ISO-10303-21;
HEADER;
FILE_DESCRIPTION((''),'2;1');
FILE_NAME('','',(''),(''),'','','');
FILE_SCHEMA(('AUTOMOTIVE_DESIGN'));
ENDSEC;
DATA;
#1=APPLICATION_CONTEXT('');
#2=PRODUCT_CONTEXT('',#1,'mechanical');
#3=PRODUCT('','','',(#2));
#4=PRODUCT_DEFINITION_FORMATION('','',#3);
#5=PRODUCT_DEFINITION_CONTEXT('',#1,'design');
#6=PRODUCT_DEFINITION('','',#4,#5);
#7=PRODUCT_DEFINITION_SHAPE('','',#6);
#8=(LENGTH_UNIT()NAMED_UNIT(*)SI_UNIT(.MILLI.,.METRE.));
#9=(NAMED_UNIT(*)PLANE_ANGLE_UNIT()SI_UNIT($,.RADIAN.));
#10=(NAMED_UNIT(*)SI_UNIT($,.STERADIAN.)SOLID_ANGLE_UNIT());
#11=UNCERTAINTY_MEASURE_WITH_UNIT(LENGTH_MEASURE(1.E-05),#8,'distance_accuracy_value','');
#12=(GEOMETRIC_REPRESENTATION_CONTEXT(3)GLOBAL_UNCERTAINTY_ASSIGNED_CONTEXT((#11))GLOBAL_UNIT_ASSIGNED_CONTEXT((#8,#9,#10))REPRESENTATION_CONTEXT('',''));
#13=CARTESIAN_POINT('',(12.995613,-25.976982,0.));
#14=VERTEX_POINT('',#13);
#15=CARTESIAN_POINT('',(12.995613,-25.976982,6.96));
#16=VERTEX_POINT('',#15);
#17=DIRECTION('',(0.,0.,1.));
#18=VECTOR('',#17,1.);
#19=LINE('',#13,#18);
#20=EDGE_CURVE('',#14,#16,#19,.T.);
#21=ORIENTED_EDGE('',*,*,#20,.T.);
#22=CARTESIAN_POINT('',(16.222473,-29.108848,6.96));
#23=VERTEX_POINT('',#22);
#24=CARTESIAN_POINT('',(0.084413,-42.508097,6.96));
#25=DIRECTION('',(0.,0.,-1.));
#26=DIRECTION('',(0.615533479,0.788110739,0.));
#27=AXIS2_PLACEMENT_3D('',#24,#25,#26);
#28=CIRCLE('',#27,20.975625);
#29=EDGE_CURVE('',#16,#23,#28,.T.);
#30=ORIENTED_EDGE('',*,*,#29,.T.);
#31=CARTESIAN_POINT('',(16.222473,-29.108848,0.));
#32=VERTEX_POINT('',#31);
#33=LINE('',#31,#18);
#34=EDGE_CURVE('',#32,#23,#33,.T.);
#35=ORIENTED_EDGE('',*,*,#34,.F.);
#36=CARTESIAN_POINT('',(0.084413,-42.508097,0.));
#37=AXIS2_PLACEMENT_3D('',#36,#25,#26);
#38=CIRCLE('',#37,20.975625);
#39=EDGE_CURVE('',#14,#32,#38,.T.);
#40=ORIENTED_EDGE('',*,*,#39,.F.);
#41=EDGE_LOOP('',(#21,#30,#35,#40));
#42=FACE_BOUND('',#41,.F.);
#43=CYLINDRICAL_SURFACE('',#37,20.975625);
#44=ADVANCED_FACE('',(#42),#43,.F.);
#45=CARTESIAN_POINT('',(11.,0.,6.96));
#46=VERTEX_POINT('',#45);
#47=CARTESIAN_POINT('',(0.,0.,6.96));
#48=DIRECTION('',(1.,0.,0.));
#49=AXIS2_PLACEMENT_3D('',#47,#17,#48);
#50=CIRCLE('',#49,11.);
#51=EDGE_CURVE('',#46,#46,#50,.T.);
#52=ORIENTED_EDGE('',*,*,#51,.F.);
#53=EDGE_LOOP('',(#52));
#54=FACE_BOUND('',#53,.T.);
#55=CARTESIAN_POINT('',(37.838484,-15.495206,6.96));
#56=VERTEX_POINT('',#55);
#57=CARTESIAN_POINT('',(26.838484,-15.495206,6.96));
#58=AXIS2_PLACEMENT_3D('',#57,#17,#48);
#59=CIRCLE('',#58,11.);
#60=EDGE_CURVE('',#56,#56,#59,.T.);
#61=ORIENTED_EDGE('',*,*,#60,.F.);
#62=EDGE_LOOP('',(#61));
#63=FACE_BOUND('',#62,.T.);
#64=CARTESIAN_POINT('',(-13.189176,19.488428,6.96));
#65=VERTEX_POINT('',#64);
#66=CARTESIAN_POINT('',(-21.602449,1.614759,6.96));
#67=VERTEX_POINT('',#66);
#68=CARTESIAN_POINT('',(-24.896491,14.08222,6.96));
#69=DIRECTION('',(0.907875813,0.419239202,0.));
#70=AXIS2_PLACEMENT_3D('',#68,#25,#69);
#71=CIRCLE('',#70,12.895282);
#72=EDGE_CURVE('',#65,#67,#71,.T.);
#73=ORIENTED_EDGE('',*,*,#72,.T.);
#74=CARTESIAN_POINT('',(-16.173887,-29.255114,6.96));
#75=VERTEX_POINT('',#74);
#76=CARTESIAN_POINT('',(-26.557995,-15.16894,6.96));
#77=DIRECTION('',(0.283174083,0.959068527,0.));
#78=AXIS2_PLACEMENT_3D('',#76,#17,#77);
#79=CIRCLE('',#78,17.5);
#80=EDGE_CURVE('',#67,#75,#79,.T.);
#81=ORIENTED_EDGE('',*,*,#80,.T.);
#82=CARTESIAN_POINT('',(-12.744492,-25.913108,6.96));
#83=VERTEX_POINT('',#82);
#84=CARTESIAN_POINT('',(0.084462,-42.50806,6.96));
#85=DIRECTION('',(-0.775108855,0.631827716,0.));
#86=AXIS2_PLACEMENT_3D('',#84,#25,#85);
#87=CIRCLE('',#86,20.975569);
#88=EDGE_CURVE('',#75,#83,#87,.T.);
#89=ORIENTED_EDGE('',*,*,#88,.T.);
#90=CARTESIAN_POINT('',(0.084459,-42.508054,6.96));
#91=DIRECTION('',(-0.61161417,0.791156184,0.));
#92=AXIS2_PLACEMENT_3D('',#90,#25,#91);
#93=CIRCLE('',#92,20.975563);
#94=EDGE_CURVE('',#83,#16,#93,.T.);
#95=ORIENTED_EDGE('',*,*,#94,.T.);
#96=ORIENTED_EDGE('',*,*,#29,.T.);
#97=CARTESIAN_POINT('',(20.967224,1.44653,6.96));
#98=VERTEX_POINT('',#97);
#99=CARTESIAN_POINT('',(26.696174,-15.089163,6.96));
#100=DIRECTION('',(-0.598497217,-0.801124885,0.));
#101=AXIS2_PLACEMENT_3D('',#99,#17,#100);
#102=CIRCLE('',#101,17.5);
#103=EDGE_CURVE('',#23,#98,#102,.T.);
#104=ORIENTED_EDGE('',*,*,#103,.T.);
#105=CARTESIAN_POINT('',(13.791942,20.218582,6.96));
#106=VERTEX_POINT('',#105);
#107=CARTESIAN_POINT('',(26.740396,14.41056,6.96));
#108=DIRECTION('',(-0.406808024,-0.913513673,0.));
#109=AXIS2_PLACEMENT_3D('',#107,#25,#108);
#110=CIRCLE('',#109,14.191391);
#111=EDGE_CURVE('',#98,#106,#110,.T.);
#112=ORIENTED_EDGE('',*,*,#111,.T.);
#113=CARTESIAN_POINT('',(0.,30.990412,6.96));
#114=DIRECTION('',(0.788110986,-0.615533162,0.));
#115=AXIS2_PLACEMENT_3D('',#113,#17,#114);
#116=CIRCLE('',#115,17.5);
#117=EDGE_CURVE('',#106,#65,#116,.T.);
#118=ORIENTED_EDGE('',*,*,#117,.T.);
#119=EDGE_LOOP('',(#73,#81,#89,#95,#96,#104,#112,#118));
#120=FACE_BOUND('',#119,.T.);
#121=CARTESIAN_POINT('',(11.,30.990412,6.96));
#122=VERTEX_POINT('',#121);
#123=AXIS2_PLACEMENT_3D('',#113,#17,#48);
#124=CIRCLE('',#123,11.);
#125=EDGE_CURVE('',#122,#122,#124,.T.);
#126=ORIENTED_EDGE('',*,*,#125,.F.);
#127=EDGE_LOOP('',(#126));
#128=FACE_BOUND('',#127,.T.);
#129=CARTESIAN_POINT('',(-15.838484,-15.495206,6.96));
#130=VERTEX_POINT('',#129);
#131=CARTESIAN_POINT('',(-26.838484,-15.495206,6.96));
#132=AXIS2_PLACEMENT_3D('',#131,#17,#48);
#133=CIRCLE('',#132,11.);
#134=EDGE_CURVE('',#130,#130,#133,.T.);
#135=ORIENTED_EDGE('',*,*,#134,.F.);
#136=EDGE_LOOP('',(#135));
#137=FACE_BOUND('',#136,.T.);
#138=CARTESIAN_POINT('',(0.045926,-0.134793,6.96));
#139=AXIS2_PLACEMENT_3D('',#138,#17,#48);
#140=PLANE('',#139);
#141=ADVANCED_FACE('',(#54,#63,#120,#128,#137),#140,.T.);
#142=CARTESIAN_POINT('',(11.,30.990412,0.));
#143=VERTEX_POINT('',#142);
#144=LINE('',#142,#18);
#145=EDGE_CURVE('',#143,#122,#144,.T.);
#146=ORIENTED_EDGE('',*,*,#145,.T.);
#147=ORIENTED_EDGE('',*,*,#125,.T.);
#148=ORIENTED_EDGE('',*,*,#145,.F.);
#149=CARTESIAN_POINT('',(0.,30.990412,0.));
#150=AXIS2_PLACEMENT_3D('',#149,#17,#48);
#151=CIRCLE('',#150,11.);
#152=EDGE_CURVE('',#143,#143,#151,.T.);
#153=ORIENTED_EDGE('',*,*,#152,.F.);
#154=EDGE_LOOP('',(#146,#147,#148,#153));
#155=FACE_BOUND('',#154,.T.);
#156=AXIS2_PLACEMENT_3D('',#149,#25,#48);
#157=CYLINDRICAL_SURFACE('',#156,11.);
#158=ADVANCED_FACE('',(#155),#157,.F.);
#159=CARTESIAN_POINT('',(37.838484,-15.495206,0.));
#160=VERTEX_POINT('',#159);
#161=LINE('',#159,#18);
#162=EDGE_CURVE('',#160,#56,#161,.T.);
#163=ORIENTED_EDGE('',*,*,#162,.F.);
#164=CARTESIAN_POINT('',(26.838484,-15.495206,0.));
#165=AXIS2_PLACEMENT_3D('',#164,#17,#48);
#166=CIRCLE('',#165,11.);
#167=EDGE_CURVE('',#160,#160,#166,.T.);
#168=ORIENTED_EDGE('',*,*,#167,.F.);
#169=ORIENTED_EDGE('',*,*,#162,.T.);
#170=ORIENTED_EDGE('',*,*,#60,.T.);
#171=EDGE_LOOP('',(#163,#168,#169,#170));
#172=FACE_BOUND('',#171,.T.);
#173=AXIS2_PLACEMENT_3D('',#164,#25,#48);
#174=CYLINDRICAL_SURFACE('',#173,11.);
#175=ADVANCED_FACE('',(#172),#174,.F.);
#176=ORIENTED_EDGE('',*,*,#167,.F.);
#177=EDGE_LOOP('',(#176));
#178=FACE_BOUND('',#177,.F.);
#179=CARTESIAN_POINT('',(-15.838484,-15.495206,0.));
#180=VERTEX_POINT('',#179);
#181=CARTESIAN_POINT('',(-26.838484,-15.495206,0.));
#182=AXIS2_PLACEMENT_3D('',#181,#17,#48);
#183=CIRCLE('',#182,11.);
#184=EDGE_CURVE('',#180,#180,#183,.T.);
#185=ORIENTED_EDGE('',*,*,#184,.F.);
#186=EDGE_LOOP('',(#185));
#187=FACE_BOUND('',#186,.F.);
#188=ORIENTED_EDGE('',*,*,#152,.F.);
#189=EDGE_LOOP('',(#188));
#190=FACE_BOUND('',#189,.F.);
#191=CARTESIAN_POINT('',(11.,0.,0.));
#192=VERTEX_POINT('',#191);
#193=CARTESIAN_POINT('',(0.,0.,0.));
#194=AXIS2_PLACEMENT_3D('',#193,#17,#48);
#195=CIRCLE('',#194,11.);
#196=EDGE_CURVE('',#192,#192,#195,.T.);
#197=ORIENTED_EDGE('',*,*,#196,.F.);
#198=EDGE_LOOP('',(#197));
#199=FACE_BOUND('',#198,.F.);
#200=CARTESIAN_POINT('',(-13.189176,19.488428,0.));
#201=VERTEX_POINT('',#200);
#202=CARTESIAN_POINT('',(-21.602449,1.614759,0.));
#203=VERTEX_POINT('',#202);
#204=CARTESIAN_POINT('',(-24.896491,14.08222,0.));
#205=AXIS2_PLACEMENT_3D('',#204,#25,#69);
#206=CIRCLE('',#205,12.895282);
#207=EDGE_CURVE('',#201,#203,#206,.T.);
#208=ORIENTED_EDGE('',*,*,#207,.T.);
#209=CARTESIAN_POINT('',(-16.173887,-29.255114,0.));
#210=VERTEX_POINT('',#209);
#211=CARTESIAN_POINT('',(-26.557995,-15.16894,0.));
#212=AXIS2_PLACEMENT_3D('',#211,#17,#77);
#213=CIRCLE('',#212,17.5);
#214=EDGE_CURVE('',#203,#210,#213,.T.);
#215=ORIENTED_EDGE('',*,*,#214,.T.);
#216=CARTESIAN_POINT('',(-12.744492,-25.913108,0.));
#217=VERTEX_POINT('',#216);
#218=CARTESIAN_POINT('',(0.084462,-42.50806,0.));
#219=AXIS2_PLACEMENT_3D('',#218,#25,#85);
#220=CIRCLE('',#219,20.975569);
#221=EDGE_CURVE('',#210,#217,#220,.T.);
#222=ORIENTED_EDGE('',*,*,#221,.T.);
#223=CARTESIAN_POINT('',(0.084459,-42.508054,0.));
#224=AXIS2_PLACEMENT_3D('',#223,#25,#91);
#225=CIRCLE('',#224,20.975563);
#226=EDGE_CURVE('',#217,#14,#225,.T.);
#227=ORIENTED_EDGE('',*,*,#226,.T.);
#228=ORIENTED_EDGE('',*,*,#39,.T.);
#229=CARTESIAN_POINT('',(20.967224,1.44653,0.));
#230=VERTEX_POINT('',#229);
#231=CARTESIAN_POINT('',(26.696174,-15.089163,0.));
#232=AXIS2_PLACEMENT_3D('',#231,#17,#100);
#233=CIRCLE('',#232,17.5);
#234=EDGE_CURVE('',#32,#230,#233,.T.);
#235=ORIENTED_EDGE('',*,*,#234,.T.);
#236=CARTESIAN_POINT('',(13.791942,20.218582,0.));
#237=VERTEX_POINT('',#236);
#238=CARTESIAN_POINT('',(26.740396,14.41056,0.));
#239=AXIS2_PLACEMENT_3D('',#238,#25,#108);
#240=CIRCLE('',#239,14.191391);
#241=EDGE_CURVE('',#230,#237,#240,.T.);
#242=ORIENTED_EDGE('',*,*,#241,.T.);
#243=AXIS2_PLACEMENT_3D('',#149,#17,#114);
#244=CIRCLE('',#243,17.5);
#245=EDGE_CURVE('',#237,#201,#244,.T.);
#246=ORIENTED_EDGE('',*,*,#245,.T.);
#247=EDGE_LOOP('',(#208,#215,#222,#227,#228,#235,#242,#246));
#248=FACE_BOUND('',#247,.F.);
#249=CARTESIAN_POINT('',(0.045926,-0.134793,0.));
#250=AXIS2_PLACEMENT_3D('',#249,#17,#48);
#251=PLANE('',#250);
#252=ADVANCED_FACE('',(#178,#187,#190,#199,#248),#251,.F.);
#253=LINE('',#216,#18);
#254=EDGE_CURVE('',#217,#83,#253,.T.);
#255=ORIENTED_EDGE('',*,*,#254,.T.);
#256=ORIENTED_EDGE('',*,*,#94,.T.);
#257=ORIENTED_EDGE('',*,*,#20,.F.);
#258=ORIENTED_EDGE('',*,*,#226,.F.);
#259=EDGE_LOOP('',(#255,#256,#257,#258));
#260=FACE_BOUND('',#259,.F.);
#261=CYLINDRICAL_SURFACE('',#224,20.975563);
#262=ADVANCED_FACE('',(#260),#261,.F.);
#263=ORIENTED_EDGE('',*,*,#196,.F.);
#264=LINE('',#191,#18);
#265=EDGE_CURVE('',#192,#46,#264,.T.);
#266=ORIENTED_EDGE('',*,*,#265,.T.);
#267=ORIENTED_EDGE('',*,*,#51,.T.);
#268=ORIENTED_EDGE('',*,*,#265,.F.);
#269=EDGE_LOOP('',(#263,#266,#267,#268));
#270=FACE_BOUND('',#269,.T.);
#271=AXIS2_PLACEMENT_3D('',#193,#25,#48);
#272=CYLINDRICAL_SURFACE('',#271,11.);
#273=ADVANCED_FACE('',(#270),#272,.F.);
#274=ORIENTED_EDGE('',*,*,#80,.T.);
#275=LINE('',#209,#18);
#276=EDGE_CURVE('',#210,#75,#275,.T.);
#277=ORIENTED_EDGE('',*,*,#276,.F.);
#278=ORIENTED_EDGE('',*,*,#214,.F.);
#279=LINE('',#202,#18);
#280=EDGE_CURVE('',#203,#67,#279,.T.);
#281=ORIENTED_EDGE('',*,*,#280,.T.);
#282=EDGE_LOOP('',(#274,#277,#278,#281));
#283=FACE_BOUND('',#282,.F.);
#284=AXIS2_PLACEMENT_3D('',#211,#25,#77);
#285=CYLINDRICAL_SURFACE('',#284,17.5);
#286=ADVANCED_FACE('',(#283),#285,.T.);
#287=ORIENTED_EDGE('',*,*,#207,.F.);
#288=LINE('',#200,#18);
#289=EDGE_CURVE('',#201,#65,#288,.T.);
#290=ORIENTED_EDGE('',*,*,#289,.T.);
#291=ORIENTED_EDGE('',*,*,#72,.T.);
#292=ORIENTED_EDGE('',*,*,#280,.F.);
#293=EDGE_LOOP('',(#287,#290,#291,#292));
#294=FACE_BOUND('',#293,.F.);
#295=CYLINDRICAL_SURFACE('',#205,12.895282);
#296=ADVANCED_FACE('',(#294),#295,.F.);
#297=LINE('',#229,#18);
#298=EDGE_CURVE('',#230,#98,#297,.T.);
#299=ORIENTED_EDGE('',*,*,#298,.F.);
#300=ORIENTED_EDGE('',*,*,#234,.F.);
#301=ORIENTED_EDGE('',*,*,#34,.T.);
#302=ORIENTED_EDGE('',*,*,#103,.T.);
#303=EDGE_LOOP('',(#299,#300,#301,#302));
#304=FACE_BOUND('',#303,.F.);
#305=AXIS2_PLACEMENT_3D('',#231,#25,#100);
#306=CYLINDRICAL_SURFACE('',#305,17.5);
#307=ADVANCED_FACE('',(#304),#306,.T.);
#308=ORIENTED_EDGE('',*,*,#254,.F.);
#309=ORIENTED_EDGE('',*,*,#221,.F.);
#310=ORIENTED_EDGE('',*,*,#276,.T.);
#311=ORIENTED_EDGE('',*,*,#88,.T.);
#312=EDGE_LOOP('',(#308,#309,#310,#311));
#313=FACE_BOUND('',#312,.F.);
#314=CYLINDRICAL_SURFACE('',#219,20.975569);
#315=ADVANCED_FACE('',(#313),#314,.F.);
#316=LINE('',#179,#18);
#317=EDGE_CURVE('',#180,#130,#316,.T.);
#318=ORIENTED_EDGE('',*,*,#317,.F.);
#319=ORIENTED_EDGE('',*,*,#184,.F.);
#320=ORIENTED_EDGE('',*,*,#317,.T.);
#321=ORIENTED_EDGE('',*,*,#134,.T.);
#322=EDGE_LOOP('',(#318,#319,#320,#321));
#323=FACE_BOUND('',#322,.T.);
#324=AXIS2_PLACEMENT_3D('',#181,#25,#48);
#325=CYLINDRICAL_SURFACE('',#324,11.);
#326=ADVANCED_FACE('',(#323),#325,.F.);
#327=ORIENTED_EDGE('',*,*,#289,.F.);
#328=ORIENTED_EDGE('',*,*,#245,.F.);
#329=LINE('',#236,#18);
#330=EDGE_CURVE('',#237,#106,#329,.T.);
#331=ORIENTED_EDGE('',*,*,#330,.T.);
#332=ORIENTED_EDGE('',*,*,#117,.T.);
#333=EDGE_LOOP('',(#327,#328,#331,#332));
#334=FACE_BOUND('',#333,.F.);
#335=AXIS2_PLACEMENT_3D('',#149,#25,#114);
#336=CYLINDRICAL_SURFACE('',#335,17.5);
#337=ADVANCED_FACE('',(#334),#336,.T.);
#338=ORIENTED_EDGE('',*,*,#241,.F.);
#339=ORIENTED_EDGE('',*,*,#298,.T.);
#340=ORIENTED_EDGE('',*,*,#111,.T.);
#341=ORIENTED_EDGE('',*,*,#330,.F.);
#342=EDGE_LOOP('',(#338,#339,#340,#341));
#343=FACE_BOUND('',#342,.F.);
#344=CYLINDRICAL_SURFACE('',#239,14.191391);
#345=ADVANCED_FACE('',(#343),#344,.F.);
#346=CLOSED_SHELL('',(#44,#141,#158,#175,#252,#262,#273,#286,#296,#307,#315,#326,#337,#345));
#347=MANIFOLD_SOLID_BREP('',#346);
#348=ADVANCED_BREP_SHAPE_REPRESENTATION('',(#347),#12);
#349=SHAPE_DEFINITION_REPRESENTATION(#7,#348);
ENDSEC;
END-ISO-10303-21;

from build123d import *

# Parameters (mm, degrees)
F0_R     = 11
F1_DEPTH = 6.96


with BuildPart() as f1:
    # F0 (on Top) → F1 (new body)
    with BuildSketch(Plane.XY):
        with BuildLine():
            ThreePointArc((20.967224, 1.44653), (13.484367, 9.343679), (13.791942, 20.218582))
            ThreePointArc((13.791942, 20.218582), (-0.473405, 48.484008), (-13.189176, 19.488428))
            ThreePointArc((-13.189176, 19.488428), (-13.229135, 8.590307), (-21.602449, 1.614759))
            ThreePointArc((-21.602449, 1.614759), (-43.793526, -18.199862), (-16.173887, -29.255114))
            ThreePointArc((-16.173887, -29.255114), (-14.55487, -27.485928), (-12.744492, -25.913108))
            ThreePointArc((-12.744492, -25.913108), (0.13651, -21.532556), (12.995613, -25.976982))
            ThreePointArc((12.995613, -25.976982), (14.693213, -27.456193), (16.222473, -29.108848))
            ThreePointArc((16.222473, -29.108848), (43.988926, -17.774444), (20.967224, 1.44653))
        make_face()
        with Locations((-26.838484, -15.495206)):
            Circle(F0_R, mode=Mode.SUBTRACT)
        Circle(F0_R, mode=Mode.SUBTRACT)
        with Locations((26.838484, -15.495206)):
            Circle(F0_R, mode=Mode.SUBTRACT)
        with Locations((0, 30.990412)):
            Circle(F0_R, mode=Mode.SUBTRACT)
    extrude(amount=F1_DEPTH)


solid = f1.part
